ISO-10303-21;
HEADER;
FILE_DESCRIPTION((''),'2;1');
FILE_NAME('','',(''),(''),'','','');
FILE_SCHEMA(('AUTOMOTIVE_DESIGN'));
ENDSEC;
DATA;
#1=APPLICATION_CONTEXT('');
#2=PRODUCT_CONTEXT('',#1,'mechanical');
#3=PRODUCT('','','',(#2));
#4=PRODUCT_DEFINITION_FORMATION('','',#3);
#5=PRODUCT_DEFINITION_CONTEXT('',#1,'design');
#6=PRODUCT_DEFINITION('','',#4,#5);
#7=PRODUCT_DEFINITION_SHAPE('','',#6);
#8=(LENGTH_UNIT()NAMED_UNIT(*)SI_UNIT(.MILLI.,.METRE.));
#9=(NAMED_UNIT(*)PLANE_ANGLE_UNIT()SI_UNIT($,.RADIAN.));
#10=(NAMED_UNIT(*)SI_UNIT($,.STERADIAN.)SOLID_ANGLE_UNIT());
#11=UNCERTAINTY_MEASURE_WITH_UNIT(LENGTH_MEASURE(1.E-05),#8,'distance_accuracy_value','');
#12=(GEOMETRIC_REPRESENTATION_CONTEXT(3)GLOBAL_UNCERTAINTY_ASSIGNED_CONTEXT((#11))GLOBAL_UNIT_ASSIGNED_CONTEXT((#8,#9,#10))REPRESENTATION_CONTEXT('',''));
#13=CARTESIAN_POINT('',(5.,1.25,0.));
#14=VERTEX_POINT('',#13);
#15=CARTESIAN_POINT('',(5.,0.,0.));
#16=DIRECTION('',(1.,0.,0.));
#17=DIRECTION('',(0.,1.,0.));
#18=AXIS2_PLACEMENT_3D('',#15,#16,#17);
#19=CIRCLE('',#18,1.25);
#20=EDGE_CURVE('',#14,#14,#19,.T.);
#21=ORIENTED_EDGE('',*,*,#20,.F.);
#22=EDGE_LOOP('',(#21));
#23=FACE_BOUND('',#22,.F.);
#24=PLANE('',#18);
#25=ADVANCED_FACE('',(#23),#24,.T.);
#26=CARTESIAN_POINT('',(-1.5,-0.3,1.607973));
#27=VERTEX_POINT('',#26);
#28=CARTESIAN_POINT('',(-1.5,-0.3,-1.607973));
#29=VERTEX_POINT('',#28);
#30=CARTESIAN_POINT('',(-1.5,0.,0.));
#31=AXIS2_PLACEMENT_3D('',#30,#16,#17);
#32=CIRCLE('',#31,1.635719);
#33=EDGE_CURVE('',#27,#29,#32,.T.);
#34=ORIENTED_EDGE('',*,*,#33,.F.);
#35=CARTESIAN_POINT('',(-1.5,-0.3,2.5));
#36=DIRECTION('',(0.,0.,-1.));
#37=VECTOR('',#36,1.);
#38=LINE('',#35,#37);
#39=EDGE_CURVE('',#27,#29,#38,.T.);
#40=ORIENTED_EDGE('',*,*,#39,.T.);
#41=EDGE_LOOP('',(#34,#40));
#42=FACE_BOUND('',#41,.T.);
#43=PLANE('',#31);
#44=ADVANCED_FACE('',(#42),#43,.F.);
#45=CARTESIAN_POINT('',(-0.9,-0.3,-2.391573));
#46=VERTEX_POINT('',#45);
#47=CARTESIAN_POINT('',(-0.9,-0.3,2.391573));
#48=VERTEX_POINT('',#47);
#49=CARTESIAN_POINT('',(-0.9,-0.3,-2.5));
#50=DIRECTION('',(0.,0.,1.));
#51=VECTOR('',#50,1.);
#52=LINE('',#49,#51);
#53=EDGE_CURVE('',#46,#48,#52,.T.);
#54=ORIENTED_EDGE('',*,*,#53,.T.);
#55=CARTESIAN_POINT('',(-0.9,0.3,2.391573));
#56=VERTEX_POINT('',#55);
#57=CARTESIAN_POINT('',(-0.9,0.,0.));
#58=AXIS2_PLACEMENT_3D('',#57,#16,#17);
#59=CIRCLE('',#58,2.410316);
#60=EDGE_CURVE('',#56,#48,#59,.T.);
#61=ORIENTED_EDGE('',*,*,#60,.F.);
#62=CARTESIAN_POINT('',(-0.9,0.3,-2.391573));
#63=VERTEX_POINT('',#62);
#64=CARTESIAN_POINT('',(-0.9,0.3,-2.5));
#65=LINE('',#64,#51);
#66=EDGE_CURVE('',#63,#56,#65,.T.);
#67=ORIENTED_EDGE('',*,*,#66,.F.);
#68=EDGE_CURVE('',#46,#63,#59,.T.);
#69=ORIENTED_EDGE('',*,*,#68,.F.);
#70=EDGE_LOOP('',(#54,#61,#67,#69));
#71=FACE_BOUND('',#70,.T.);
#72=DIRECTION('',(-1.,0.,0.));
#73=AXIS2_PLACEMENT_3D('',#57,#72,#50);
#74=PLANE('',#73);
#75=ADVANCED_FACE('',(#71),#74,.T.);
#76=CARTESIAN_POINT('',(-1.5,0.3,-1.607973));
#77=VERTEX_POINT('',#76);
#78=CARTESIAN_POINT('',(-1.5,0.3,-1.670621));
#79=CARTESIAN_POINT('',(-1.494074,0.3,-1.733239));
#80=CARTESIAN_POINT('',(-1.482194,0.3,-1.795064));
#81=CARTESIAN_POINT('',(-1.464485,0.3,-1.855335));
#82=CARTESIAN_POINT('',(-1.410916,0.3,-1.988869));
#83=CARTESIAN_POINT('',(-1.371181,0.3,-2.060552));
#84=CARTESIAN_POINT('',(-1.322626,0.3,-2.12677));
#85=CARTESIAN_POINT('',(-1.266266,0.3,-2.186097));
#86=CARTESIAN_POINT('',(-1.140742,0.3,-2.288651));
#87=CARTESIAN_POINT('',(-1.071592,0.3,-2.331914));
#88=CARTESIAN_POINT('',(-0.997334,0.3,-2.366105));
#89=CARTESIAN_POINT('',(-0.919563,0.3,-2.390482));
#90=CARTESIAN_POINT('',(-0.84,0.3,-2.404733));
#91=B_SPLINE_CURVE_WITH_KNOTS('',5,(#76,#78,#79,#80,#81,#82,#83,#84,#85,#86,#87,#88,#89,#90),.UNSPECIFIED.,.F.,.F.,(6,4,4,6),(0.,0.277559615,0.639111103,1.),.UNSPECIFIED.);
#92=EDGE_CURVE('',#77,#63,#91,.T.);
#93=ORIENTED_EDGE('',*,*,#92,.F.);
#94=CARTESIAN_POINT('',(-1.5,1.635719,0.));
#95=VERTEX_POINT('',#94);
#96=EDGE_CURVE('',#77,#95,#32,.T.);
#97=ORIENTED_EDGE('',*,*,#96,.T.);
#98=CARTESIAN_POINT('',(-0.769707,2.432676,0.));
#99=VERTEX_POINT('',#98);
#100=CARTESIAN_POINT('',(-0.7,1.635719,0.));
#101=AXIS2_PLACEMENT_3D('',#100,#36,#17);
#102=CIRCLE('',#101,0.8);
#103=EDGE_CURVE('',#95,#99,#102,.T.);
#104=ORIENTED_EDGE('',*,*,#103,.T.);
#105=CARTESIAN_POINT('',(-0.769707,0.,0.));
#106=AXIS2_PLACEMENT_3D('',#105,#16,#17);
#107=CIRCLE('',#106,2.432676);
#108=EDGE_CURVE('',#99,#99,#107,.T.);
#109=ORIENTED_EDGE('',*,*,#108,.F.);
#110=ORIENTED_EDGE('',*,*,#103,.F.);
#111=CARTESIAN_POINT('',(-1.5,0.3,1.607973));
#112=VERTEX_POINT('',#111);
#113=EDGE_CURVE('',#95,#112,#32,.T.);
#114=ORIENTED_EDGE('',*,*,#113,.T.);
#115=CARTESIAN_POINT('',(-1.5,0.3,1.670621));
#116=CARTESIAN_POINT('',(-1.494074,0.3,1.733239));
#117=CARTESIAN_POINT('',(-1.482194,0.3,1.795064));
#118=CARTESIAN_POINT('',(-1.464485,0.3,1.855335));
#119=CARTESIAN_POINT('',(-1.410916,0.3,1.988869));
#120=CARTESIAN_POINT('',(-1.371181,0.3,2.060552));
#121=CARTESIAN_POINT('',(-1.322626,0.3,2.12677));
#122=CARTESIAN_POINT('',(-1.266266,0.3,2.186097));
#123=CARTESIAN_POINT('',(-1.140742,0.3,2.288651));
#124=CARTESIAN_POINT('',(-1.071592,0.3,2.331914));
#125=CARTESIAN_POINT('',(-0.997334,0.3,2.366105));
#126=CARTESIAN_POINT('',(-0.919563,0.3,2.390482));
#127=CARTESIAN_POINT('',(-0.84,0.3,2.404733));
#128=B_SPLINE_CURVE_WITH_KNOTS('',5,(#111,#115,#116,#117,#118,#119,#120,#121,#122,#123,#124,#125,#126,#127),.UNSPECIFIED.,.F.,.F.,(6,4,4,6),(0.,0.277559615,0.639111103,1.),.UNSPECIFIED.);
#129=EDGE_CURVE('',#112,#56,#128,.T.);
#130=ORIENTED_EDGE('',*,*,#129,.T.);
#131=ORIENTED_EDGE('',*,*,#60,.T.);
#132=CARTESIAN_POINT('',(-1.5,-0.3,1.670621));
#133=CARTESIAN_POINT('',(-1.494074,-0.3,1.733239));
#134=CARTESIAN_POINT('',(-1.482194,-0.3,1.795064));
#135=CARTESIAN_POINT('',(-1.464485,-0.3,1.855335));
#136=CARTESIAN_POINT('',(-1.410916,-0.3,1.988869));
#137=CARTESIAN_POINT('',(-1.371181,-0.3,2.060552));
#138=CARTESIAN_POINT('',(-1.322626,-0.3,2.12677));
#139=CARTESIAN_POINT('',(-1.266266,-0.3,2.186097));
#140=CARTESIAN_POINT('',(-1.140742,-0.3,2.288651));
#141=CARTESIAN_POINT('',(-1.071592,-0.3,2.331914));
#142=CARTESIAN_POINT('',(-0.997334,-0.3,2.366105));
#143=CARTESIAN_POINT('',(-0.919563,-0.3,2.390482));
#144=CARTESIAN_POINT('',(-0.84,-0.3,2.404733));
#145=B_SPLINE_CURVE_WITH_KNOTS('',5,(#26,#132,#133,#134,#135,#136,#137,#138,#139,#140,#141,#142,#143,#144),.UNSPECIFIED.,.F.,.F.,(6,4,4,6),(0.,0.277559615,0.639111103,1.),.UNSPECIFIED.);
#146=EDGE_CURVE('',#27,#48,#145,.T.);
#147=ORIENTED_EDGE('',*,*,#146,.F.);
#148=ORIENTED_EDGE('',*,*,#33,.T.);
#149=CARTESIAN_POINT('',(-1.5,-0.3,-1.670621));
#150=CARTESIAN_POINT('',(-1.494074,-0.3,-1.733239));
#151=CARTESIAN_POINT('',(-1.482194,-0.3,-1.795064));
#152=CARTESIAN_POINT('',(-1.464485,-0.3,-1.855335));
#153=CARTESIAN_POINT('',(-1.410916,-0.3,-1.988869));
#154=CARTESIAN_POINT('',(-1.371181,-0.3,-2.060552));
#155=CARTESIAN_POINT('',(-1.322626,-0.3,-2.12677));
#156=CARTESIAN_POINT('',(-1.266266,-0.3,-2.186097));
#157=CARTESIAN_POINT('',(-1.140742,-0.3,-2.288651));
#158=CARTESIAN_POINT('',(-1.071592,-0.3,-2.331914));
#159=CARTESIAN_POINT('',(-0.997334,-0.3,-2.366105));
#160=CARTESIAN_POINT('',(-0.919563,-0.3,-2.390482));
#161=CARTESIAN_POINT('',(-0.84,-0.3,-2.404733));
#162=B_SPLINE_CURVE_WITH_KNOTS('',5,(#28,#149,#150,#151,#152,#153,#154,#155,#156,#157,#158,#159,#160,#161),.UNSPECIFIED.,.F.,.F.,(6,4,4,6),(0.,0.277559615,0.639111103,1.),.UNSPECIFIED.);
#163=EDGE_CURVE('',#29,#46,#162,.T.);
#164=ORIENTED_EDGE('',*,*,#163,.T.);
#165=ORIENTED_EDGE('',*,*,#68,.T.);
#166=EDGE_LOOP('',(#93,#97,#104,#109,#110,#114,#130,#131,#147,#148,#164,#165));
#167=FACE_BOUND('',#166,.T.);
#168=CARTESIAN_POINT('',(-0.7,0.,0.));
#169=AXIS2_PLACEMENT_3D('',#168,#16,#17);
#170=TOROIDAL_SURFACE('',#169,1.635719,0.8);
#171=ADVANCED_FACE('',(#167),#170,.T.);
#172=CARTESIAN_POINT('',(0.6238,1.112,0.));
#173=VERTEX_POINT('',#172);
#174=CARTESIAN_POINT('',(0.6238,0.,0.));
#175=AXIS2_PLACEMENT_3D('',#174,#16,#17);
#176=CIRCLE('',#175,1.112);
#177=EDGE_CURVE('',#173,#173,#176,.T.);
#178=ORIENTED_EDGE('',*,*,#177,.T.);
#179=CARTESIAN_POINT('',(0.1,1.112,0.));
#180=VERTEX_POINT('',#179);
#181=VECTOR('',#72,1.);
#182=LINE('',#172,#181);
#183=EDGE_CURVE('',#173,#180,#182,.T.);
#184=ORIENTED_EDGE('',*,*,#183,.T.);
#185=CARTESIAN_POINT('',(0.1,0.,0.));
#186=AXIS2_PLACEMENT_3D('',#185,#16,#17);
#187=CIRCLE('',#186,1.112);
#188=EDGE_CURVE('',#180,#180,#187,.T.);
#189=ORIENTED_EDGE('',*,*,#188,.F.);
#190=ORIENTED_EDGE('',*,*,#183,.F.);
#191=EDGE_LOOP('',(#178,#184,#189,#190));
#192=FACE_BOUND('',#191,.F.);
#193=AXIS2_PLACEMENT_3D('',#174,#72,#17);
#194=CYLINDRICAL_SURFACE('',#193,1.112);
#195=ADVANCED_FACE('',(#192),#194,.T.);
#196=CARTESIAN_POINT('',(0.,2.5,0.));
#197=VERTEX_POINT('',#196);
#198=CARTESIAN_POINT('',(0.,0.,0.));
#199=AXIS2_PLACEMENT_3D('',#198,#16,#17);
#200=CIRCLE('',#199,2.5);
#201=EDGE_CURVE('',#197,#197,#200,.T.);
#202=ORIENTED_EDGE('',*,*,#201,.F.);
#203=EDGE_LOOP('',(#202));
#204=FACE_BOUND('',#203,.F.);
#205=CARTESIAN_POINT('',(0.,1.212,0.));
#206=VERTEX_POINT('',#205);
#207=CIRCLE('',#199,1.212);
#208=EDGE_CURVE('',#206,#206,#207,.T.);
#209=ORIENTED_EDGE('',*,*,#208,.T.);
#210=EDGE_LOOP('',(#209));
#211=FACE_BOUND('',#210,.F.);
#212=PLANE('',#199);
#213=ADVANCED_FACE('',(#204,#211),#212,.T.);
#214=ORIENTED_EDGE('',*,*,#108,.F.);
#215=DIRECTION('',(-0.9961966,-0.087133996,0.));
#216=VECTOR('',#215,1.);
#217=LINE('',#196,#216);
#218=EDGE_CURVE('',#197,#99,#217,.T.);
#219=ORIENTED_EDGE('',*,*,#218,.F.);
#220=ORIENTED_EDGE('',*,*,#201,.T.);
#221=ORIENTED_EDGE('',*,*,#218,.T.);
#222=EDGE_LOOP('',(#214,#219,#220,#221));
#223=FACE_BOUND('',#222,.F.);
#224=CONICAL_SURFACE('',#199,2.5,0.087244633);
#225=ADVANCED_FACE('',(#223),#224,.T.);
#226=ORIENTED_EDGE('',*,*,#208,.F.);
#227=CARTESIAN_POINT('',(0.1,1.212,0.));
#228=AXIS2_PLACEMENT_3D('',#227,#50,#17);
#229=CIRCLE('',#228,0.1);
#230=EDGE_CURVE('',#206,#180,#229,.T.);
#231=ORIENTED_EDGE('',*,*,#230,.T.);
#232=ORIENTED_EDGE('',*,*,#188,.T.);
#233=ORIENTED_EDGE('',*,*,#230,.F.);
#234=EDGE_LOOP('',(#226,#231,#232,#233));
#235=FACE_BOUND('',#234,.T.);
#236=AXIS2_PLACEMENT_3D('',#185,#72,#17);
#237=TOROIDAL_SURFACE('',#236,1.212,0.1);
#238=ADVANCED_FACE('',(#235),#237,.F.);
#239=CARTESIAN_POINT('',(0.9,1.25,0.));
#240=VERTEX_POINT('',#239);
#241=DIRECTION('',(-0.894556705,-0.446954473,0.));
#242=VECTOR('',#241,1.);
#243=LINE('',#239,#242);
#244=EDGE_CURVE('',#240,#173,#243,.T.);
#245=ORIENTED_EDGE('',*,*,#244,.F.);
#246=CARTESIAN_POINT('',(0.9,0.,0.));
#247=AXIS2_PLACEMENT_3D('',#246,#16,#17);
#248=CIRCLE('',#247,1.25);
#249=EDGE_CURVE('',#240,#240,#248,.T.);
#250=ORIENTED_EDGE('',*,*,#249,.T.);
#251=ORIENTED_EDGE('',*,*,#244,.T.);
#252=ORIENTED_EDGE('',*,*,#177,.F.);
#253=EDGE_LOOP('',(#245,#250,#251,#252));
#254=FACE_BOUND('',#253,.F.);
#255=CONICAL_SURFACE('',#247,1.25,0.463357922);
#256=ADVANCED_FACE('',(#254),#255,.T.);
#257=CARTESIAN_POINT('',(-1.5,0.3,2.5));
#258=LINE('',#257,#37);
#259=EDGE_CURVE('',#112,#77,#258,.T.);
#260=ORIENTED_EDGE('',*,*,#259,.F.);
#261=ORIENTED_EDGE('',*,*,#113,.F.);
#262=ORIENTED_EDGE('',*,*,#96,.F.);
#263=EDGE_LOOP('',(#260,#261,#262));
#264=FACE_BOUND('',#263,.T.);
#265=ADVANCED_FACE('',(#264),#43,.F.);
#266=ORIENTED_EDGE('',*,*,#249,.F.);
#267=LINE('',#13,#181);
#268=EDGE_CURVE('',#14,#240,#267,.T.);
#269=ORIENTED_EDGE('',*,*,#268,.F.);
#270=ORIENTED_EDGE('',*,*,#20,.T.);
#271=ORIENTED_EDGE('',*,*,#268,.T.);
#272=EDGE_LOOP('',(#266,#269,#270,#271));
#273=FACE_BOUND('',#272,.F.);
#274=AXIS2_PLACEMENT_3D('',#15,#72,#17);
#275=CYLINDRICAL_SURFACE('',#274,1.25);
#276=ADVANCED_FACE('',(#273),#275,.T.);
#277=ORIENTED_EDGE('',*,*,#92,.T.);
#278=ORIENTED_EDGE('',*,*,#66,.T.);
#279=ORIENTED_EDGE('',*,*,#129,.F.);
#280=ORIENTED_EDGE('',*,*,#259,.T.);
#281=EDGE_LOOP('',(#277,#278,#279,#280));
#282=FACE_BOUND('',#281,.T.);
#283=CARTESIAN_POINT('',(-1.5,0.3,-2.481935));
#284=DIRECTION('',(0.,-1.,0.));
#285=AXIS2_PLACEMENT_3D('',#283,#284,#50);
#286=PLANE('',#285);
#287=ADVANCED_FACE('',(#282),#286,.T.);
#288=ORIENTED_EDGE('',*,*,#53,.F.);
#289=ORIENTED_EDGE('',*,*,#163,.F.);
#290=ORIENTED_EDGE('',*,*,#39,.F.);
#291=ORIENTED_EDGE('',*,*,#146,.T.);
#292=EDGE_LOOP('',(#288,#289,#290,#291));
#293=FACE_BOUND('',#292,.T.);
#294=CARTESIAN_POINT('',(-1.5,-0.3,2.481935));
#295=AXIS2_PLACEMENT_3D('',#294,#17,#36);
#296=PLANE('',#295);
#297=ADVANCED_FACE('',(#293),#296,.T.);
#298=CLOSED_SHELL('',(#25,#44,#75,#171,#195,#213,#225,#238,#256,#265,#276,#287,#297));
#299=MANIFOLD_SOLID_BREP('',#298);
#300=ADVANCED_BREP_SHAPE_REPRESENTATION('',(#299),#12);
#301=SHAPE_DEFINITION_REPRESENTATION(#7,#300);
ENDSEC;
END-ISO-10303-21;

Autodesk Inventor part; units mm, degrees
ref_plane "YZ Plane" through (0, 0, 0) normal (1, 0, 0) x (0, 1, 0)
ref_plane "XZ Plane" through (0, 0, 0) normal (0, 1, 0) x (-1, 0, 0)
sketch "Skizze1" plane through (0, 0, 0) normal (0, 0, 1) x (1, 0, 0)
  line L0 (-1.5, 0) -> (5, 0)
  line L1 (5, 0) -> (5, 1.25)
  line L2 (5, 1.25) -> (0.9, 1.25)
  line L3 (0.9, 1.25) -> (0.6238, 1.112)
  line L4 (0.6238, 1.112) -> (0, 1.112)
  line L5 (0, 1.112) -> (0, 2.5)
  line L6 (-2.8, 0) -> (6.3, 0) projected
  line L7 (0, -0.5) -> (0, 3) projected
  line L8 (-1.5, 0) -> (-1.5, 2.3688)
  line L9 (0, 2.5) -> (-1.5, 2.3688)
  line L10 (0.9, 1.25) -> (0, 1.25) construction
  dimension "d0" = 5
  dimension "d1" = 4.1
  dimension "d2" = 0.2762
  dimension "d3" = 1.5
  dimension "d4" = 2.5
  dimension "d5" = 2.224
  dimension "d9" = 5
  dimension "d10" = 5
revolve "Körper" add sketch "Skizze1" angle 360 about axis through (-1.5, 0, 0) along (1, 0, 0)
sketch "Skizze2" plane through (-1.5, 0, 0) normal (-1, 0, 0) x (0, 0, 1)
  circle A0 centre (0, 0) radius 2.5 projected
  line L0 (0, 0) -> (0, 2.3688) projected
  line L1 (-2.5, 0.3) -> (2.5, 0.3)
  line L2 (2.5, 0.3) -> (2.5, -0.3)
  line L3 (2.5, -0.3) -> (-2.5, -0.3)
  line L4 (-2.5, -0.3) -> (-2.5, 0.3)
  line L5 (-2.5, 0) -> (2.5, 0) construction
  line L6 (0, 0.3) -> (0, -0.3) construction
  dimension "d11" = 0.6
  dimension "d12" = 5
fillet "Rundung1" radius 0.8 1 edges at (-1.5, -2.3688, 0)
extrude "Loch" cut sketch "Skizze2" against normal blind 0.6 contours A0 L3 L1 | L2 L3 A0 | A0 L1 L2 | A0 L4 L1 | L3 L4 A0
thread "Gewinde" size "M2.5x0.45" class "6g" standard "ISO Metric profile" length 4.1
ref_plane "Work Plane1" through (30.1625, 0, 0) normal (0, 0, -1) x (1, 0, 0)
fillet "Fillet5" radius 0.1 1 edges at (0, -1.112, 0)
equation "\"d11\" = SBR"
equation "\"d12\" = KOD"
equation "\"d14\" = RR"
equation "\"d19\" = STI"
equation "\"d15\" = GEL"
equation "\"d41\" = R"
equation "\"d0\" = NLG"
equation "\"d1\" = GEL"
equation "\"d3\" = KOH"
equation "\"d4\" = GD"
equation "\"d5\" = BDM"
equation "\"d9\" = KOD"
equation "\"d10\" = KEWI"
equation "\"GD\" = NND"
equation "\"NLG\" = 5"
equation "\"GEL\" = 4.1"
equation "\"KOD\" = 5"
equation "\"KOH\" = 1.5"
equation "\"GAL\" = 0.61345 * PTC"
equation "\"R\" = 0.1"
equation "\"BDM\" = 2.224"
equation "\"GUL\" = 0.61345 * PTC"
equation "\"RR\" = 0.8"
equation "\"SBR\" = 0.6"
equation "\"STI\" = 0.6"
equation "\"KEWI\" = 5deg"
equation "\"PTC\" = 0.45"
equation "\"THREADDIA\" = 2.5"
equation "\"TOA\" = 30deg"
equation "\"NND\" = 2.5"
equation "\"GD1\" = THREADDIA - 1.2269 * PTC"
properties part number "ISO 1580 - M2,5 x 5" material "Stahl, weich"
